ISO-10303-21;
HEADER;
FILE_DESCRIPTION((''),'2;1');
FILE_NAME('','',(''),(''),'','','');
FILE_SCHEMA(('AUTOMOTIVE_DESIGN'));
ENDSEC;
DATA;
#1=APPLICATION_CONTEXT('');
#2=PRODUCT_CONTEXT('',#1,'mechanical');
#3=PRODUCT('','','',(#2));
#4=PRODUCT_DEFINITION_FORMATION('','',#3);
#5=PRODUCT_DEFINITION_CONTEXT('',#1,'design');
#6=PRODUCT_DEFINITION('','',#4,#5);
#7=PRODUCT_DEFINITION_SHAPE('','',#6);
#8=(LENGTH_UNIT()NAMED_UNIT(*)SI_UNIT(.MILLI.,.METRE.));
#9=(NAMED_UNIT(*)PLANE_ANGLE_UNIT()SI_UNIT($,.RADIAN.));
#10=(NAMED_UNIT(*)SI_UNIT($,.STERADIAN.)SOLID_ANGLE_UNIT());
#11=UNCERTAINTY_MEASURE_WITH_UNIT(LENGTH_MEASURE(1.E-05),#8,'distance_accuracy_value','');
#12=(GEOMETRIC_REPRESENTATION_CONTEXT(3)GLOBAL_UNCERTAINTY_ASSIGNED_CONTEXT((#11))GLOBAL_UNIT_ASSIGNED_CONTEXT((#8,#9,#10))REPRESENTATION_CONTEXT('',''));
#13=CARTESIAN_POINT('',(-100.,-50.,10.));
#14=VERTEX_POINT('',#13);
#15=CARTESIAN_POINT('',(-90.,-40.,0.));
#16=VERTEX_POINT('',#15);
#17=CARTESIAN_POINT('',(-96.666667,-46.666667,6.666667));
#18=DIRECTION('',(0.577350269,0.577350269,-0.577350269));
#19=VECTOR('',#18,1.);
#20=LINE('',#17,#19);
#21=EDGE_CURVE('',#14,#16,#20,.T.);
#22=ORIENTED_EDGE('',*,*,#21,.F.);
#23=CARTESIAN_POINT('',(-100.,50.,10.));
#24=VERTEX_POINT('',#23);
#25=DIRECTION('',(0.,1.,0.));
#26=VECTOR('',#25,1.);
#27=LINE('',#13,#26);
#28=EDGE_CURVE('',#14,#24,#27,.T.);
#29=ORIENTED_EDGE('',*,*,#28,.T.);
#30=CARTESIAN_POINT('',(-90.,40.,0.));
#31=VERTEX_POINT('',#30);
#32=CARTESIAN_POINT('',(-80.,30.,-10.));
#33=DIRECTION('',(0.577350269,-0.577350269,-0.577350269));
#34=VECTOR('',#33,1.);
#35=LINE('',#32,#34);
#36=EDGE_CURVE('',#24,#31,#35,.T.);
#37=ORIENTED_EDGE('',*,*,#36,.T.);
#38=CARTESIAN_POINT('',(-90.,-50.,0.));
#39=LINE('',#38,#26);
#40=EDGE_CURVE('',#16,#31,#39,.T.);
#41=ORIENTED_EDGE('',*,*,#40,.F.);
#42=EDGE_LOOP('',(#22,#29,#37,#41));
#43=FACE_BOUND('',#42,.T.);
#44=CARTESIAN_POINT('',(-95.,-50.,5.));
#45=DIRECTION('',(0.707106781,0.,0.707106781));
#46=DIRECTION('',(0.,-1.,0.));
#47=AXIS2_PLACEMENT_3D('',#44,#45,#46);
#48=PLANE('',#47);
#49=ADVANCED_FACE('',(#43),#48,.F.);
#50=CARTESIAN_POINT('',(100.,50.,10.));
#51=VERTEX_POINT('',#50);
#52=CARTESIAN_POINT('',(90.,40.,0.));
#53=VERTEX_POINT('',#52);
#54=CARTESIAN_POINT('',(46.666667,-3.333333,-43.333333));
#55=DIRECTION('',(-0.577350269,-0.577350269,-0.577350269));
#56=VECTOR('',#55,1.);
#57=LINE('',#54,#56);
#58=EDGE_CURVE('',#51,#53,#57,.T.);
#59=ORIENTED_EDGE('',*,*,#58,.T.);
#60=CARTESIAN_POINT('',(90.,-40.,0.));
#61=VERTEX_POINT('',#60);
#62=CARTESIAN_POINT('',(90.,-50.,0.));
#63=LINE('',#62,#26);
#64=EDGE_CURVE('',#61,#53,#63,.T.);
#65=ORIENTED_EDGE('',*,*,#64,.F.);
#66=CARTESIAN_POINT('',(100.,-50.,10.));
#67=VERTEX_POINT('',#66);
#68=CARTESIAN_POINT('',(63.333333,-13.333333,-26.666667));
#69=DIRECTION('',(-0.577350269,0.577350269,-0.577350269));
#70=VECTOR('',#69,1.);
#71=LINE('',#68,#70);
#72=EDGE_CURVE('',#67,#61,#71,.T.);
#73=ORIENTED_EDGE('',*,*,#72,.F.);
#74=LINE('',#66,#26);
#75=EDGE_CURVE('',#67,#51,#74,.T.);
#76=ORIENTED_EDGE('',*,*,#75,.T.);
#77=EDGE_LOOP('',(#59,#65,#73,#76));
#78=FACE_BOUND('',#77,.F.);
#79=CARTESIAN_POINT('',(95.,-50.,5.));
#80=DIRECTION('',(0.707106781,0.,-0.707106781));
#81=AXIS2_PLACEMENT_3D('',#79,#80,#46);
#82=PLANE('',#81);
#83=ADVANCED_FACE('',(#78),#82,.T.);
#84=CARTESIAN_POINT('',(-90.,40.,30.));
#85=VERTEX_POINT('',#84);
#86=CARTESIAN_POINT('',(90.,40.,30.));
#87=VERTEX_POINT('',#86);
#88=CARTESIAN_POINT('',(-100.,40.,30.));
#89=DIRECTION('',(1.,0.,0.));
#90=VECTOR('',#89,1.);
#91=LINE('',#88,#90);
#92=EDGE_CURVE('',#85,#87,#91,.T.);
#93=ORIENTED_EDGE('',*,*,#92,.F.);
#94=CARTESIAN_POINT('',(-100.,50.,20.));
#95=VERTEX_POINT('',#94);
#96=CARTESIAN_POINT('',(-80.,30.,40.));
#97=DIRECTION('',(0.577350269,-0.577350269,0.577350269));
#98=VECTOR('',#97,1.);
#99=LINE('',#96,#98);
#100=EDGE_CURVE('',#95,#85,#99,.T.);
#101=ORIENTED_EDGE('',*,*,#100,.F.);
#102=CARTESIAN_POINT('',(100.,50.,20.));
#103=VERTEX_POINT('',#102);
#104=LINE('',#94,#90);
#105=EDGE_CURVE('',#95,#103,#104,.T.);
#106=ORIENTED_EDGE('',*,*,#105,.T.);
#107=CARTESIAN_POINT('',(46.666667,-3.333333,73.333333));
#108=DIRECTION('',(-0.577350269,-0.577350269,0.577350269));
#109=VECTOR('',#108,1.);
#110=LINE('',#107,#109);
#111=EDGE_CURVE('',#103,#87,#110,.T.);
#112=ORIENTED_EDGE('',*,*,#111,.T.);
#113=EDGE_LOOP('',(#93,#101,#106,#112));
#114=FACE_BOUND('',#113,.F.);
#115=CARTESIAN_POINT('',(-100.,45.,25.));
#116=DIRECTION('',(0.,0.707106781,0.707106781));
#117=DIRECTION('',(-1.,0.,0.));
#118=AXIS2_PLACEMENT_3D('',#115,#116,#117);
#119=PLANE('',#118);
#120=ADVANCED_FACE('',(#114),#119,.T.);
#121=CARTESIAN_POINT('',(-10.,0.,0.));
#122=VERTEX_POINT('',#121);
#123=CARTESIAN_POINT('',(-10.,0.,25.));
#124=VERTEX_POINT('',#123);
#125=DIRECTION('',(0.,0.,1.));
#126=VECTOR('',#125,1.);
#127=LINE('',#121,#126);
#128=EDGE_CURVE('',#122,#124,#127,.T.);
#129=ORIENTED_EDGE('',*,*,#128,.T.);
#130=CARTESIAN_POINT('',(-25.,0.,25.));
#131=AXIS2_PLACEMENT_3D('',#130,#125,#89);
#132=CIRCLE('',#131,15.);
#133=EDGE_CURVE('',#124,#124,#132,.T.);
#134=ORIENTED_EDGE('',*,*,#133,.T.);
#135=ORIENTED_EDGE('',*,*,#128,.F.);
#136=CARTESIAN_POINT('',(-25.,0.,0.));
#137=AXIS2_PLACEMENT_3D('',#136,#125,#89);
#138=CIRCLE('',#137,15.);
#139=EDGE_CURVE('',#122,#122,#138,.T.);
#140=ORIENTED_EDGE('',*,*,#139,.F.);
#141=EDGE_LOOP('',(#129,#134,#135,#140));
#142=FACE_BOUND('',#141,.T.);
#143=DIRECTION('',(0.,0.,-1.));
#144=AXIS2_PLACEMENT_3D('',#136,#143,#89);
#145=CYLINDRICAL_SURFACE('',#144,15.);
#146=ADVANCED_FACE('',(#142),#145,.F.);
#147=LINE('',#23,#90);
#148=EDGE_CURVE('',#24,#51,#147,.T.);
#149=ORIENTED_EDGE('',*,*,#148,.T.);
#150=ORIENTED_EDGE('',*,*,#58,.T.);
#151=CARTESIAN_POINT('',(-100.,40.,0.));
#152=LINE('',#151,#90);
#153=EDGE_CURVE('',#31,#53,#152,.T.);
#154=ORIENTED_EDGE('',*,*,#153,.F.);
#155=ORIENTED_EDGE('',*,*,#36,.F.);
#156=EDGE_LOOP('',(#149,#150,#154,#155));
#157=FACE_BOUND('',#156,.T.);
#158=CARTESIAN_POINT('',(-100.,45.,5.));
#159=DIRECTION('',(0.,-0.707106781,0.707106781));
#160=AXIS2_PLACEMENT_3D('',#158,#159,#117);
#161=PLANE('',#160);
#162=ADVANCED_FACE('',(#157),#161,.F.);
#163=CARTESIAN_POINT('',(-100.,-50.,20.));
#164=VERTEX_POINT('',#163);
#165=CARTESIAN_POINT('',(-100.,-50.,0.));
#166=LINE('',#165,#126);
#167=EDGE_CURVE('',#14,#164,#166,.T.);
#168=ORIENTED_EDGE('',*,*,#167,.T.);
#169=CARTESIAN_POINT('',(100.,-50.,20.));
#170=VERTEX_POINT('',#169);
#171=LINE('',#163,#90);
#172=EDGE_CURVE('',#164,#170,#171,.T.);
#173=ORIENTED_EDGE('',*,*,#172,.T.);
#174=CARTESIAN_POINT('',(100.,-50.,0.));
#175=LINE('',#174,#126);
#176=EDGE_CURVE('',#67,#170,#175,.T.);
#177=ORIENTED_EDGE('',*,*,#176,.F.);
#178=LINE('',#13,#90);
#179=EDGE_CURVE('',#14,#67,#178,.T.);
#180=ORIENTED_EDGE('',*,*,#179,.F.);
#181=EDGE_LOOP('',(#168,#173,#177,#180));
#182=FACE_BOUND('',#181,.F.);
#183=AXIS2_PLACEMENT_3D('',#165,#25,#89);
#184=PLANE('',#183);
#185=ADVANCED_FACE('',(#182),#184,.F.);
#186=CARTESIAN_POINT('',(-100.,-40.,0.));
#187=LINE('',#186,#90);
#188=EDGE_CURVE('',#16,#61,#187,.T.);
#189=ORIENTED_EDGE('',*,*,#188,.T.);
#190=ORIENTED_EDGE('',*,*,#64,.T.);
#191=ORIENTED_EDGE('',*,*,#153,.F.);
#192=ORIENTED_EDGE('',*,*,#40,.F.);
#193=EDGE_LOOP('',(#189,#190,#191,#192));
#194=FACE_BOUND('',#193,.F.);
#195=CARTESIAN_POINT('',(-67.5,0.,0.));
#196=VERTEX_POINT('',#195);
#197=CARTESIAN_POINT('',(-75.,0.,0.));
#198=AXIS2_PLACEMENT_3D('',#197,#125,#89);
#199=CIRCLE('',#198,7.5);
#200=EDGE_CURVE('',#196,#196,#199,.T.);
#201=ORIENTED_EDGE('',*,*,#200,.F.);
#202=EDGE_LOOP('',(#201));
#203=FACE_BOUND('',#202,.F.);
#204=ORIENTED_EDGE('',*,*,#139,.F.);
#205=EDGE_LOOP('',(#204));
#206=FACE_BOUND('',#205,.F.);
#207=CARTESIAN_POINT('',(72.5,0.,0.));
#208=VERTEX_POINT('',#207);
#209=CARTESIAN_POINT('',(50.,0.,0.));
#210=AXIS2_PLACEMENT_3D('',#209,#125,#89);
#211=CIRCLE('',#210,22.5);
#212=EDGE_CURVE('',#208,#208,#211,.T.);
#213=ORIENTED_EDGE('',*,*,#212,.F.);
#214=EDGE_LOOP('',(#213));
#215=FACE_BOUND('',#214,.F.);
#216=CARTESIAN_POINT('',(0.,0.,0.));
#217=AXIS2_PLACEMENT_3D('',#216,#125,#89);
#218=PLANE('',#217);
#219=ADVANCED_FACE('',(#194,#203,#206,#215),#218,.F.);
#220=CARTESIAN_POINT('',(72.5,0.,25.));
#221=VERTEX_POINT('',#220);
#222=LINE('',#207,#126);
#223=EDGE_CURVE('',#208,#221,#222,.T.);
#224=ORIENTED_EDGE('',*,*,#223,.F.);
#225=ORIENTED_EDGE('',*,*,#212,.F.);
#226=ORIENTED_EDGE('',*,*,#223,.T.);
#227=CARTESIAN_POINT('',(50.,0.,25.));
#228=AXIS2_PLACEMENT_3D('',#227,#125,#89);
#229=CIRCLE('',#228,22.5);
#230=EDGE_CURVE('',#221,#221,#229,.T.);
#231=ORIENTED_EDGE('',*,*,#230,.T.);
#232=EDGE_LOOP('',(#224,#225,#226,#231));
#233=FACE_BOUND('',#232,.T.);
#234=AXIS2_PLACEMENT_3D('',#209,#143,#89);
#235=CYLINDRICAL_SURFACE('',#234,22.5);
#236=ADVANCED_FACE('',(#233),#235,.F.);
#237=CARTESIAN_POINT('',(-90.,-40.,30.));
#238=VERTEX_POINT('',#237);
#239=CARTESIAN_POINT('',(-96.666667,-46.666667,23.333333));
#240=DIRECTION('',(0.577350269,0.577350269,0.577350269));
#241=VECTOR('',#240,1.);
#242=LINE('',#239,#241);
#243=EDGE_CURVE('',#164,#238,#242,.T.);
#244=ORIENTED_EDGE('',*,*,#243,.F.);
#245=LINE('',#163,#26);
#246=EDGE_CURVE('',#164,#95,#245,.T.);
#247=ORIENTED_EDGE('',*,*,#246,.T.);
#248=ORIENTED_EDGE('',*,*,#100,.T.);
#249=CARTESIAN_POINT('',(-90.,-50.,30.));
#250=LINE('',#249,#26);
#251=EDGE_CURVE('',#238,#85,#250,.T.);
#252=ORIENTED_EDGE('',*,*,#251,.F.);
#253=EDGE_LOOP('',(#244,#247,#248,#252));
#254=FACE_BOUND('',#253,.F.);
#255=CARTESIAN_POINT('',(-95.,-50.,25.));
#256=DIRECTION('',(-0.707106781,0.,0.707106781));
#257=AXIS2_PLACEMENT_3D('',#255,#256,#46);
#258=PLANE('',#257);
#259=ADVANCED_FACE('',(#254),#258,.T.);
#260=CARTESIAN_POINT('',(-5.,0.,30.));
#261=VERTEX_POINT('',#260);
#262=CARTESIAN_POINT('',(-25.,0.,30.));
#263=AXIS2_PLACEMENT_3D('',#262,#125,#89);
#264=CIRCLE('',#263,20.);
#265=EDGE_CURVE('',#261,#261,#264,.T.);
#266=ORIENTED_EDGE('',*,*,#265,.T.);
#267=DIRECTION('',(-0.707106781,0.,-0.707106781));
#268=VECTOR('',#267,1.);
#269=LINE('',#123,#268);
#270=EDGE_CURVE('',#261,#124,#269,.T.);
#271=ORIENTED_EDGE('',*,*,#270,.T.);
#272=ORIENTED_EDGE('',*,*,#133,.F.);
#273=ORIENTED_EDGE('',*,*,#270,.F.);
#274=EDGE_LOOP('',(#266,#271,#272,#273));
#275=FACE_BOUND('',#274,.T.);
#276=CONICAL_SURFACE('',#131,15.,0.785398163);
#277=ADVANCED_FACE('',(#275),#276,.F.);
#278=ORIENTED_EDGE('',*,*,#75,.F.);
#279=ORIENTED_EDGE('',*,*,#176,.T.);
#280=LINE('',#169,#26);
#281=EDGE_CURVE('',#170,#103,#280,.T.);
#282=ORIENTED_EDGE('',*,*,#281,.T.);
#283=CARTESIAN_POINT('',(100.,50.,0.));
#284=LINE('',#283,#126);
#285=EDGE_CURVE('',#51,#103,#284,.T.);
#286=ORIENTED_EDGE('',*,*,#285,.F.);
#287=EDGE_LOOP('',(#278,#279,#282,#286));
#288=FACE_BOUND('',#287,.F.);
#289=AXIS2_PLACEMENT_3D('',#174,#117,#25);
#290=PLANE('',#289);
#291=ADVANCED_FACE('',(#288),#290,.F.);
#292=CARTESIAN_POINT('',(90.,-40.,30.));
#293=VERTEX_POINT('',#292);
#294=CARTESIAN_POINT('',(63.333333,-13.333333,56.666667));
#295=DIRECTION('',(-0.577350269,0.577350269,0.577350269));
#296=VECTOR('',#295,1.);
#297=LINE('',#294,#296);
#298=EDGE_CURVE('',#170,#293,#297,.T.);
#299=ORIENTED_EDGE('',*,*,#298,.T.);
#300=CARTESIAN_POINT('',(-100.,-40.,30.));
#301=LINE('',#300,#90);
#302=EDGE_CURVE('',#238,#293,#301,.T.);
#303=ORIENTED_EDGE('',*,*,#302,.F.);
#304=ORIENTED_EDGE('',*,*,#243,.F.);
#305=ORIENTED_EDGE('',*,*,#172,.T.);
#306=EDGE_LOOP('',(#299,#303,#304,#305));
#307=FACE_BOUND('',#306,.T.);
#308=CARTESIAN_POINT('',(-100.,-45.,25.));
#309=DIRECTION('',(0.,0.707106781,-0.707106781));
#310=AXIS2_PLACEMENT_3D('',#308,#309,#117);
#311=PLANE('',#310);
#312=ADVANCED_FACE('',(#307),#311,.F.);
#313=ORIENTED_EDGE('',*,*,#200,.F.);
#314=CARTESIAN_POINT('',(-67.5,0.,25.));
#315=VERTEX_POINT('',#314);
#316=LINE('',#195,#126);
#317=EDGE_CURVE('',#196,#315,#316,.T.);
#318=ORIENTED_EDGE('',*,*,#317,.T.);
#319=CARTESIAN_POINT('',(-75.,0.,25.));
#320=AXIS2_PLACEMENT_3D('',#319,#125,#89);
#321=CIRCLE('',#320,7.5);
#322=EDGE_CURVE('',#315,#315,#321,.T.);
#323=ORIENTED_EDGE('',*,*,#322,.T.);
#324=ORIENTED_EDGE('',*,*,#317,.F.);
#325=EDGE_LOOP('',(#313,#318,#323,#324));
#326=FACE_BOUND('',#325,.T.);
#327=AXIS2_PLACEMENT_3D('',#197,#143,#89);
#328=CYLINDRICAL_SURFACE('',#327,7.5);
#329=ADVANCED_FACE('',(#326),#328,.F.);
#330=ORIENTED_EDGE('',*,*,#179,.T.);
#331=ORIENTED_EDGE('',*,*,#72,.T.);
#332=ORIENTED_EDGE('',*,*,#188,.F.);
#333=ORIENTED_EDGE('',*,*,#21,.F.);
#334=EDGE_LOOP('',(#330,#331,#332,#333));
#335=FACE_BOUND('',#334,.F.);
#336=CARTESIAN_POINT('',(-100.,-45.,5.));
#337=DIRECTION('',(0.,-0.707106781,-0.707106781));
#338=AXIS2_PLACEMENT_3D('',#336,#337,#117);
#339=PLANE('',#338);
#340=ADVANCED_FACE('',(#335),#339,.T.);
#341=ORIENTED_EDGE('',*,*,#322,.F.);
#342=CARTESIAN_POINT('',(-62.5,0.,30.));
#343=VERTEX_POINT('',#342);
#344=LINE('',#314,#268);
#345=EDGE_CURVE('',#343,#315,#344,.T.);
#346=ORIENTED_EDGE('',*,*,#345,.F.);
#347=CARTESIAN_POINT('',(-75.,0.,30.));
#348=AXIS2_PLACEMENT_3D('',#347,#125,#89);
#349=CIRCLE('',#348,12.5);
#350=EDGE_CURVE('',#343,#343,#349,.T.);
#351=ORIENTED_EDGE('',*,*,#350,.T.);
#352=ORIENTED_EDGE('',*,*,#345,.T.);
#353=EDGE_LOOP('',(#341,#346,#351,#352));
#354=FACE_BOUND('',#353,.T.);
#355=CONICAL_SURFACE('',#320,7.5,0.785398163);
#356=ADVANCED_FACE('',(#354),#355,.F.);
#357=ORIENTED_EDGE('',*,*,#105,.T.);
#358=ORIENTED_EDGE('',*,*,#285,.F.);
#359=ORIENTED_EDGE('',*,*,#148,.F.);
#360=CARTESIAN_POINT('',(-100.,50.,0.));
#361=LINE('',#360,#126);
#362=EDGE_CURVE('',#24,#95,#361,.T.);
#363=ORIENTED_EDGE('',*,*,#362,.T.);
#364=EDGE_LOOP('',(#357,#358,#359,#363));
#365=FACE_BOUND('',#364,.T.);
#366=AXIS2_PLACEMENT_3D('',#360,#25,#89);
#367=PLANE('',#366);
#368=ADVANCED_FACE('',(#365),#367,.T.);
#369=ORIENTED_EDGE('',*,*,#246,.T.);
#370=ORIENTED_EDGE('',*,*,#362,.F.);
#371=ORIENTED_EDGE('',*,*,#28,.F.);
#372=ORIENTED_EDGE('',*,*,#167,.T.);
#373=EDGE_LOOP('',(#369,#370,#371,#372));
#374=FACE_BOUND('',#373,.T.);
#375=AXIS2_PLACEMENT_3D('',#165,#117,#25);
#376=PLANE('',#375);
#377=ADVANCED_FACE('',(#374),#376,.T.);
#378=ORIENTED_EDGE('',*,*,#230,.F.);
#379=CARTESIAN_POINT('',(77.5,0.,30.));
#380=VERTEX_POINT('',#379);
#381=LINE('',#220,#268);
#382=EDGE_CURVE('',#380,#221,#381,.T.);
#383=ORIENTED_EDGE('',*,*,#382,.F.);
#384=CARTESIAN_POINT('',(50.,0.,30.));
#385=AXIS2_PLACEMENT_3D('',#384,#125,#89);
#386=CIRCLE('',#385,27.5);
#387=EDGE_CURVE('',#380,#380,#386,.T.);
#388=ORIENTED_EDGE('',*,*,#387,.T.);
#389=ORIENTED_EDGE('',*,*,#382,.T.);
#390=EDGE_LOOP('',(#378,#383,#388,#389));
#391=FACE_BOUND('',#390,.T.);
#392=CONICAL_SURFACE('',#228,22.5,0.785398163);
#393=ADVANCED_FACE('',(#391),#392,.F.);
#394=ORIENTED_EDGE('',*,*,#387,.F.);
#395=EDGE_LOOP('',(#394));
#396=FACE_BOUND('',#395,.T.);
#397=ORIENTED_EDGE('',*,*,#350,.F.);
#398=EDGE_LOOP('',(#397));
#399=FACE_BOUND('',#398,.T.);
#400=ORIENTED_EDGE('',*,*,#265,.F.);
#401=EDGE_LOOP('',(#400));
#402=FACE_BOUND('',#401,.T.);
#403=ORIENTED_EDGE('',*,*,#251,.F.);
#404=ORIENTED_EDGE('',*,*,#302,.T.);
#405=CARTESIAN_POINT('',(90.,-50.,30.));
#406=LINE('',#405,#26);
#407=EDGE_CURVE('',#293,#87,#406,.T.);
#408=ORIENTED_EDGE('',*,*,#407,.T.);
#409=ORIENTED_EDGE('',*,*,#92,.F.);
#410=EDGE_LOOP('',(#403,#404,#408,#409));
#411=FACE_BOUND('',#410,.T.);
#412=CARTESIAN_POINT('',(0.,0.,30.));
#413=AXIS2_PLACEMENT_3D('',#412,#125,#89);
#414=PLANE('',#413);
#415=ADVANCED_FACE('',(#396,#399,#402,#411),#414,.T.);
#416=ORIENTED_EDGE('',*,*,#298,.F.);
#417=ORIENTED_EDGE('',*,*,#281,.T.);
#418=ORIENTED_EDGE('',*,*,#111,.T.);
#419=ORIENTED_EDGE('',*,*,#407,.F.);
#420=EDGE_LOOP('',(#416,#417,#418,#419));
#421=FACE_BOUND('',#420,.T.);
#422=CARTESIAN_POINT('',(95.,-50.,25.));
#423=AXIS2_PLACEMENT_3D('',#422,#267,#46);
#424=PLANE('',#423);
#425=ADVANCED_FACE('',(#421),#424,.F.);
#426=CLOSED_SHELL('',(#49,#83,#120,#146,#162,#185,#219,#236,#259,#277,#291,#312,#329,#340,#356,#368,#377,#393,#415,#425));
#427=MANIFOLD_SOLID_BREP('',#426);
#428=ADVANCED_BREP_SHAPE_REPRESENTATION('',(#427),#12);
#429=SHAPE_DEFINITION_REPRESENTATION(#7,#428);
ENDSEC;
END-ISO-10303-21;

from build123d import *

# Parameters (mm, degrees)
F0_W     = 200
F0_H     = 100
F0_R     = 7.5
F0_R_2   = 15
F0_R_3   = 22.5
F1_DEPTH = 30
F2_SIZE  = 10
F3_SIZE  = 5


with BuildPart() as f1:
    # F0 (on Top) → F1 (new body)
    with BuildSketch(Plane.XY):
        Rectangle(F0_W, F0_H)
        with Locations((-75, 0)):
            Circle(F0_R, mode=Mode.SUBTRACT)
        with Locations((-25, 0)):
            Circle(F0_R_2, mode=Mode.SUBTRACT)
        with Locations((50, 0)):
            Circle(F0_R_3, mode=Mode.SUBTRACT)
    extrude(amount=F1_DEPTH)

    # F2
    f2_edges = [f1.edges().sort_by_distance(p)[0] for p in [
        (-100, 0, 30),
        (0, 50, 30),
        (0, -50, 30),
        (100, 0, 30),
        (0, -50, 0),
        (-100, 0, 0),
        (0, 50, 0),
        (100, 0, 0),
    ]]
    chamfer(f2_edges, length=F2_SIZE)

    # F3
    f3_edges = [f1.edges().sort_by_distance(p)[0] for p in [
        (-40, 0, 30),
        (-82.5, 0, 30),
        (27.5, 0, 30),
    ]]
    chamfer(f3_edges, length=F3_SIZE)


solid = f1.part
